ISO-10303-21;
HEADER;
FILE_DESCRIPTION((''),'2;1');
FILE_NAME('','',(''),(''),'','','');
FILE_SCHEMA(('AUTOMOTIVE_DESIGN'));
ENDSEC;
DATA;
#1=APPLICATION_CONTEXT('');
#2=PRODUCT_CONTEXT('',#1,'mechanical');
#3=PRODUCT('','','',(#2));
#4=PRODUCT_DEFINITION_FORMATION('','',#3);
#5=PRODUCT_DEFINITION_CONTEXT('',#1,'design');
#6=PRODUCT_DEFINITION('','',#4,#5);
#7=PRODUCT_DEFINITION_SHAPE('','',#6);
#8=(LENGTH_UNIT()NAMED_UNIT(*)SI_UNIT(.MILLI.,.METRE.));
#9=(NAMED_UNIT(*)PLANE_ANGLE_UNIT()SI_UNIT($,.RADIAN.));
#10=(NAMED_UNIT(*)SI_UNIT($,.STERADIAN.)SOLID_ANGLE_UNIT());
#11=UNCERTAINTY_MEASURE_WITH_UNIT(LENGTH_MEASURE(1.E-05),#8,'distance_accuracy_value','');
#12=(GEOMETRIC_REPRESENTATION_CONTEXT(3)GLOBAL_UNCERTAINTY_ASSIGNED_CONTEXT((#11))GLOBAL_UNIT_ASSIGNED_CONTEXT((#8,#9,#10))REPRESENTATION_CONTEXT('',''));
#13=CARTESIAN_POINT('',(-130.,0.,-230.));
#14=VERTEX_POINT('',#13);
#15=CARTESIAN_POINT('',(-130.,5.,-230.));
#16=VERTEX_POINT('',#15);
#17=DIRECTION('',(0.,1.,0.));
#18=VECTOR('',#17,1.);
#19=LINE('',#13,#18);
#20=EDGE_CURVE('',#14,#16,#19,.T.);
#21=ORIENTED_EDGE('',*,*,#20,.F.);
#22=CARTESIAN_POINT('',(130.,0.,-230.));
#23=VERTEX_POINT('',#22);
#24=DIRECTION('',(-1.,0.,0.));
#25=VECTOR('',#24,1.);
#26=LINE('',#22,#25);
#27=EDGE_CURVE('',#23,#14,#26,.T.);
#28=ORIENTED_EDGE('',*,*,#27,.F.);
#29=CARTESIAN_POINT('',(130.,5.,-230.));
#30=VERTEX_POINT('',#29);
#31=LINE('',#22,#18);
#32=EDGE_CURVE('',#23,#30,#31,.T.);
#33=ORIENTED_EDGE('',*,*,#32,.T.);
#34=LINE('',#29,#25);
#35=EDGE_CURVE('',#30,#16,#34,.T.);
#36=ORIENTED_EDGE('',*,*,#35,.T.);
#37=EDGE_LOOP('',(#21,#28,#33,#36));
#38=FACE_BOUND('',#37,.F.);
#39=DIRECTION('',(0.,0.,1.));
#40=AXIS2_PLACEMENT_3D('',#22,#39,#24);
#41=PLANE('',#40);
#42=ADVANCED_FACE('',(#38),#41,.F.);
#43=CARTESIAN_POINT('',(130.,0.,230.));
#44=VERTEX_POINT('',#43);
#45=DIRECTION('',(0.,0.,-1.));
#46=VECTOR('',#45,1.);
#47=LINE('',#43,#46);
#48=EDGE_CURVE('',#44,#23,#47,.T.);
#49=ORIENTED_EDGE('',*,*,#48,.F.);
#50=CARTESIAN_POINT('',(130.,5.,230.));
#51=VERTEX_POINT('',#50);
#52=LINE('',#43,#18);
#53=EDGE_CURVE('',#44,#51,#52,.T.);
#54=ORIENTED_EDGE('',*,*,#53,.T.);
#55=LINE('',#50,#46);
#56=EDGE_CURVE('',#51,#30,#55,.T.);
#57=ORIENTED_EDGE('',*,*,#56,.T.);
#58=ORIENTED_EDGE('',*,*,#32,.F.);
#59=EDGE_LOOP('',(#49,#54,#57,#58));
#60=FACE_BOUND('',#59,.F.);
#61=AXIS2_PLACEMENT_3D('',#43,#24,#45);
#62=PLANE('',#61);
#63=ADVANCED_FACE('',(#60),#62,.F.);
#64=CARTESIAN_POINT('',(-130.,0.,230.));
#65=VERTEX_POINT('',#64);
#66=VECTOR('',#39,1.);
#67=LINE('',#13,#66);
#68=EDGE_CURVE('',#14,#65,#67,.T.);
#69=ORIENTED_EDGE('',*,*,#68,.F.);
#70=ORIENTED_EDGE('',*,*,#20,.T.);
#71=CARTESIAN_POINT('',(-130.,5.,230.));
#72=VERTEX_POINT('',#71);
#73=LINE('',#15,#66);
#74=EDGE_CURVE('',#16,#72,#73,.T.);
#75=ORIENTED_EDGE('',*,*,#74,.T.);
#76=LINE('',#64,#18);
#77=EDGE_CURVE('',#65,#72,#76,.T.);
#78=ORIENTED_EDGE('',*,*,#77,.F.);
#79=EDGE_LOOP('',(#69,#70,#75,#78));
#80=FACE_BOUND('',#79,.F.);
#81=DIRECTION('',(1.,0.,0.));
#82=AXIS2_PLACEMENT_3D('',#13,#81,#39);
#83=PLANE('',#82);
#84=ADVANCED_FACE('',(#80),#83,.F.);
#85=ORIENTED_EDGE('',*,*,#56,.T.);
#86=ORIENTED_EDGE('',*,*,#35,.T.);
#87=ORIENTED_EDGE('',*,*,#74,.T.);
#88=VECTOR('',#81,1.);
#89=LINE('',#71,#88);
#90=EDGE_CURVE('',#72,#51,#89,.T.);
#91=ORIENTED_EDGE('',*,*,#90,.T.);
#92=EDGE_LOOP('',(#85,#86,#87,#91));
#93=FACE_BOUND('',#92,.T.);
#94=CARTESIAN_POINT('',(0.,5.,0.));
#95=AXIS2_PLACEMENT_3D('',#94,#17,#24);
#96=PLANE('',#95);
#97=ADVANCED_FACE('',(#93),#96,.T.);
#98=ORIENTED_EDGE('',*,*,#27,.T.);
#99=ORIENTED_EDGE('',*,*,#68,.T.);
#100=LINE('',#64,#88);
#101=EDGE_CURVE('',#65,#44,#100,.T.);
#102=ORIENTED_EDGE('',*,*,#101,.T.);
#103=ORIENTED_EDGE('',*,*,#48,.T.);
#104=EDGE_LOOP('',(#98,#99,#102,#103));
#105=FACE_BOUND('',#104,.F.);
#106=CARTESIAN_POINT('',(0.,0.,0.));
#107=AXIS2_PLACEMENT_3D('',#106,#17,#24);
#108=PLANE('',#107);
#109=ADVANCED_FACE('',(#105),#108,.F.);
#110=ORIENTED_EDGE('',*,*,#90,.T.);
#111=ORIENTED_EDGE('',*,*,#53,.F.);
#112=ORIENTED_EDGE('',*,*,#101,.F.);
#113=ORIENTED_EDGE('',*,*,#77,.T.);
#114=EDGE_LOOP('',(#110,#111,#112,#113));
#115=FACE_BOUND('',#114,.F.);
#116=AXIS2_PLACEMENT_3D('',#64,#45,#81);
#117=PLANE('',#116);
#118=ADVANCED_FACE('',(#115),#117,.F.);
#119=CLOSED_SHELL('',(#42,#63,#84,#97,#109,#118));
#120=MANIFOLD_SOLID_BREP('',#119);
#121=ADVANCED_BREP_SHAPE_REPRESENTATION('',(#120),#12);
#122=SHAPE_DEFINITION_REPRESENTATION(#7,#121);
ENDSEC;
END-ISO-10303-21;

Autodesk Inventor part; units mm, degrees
ref_plane "YZ Plane" through (0, 0, 0) normal (1, 0, 0) x (0, 1, 0)
ref_plane "XZ Plane" through (0, 0, 0) normal (0, 1, 0) x (-1, 0, 0)
ref_plane "XY Plane" through (0, 0, 0) normal (0, 0, 1) x (1, 0, 0)
sketch "Sketch1" plane through (0, 0, 0) normal (0, 1, 0) x (-1, 0, 0)
  line L0 (130, 230) -> (-130, 230)
  line L1 (-130, 230) -> (-130, -230)
  line L2 (-130, -230) -> (130, -230)
  line L3 (130, -230) -> (130, 230)
  line L4 (130, 230) -> (-130, -230) construction
  line L5 (-130, 230) -> (130, -230) construction
  point P0 (0, 0)
  dimension "d0" = 260
  dimension "d1" = 460
extrude "Extrusion1" add sketch "Sketch1" along normal blind 5
sketch "Sketch3" plane through (0, 0, 0) normal (0, -1, 0) x (1, 0, 0)
  line L0 (2.5, -60) -> (2.5, 60) projected
  line L1 (-2.5, -60) -> (-2.5, 60) projected
  line L2 (2.5, -60) -> (-2.5, -60) projected
  line L3 (2.5, 60) -> (-2.5, 60) projected
  point P0 (0, 0)
equation "\"d0\" = boxl + 2 * pvct"
equation "\"d1\" = boxw + 2 * pvct"
equation "\"d2\" = pvct"
equation "\"solhole\" = 3"
equation "\"solholespacing\" = 16"
equation "\"ssolw\" = 63"
equation "\"bsoll\" = 126"
equation "\"bsolw\" = 91"
equation "\"bsolh\" = 126"
equation "\"tapl\" = 31"
equation "\"tl\" = 32"
equation "\"eloboww\" = 25"
equation "\"pvct\" = 5"
equation "\"boxh\" = 258"
equation "\"supporth\" = 15"
equation "\"play\" = 0.5"
equation "\"arw\" = 54"
equation "\"arl\" = 102"
equation "\"psuh\" = 85"
equation "\"screenw\" = 197"
equation "\"screenl\" = 115"
equation "\"pcbw\" = 76"
equation "\"pcbl\" = 86"
equation "\"pcbh\" = 46"
equation "\"seph\" = 105"
equation "\"diapowerouter\" = 25"
equation "\"diaphouter\" = 48"
equation "\"dialoadouter\" = 25"
equation "\"diaetape\" = 25"
equation "\"diaload\" = 16"
equation "\"diaetapeouter\" = 36"
equation "\"distbubblewater\" = 82"
equation "\"distpumps\" = 75"
equation "\"diapower\" = 16"
equation "\"waterinner\" = 28"
equation "\"waterouter\" = 39"
equation "\"diaph\" = 32"
equation "\"pumpouter\" = 25"
equation "\"pumpinner\" = 16"
equation "\"airoutinner\" = 28"
equation "\"airoutouter\" = 39"
equation "\"airininner\" = 28"
equation "\"airinouter\" = 39"
equation "\"boxl\" = 250"
equation "\"boxw\" = 450"
properties part number "sb_bottom" material "PVC-Piping"
